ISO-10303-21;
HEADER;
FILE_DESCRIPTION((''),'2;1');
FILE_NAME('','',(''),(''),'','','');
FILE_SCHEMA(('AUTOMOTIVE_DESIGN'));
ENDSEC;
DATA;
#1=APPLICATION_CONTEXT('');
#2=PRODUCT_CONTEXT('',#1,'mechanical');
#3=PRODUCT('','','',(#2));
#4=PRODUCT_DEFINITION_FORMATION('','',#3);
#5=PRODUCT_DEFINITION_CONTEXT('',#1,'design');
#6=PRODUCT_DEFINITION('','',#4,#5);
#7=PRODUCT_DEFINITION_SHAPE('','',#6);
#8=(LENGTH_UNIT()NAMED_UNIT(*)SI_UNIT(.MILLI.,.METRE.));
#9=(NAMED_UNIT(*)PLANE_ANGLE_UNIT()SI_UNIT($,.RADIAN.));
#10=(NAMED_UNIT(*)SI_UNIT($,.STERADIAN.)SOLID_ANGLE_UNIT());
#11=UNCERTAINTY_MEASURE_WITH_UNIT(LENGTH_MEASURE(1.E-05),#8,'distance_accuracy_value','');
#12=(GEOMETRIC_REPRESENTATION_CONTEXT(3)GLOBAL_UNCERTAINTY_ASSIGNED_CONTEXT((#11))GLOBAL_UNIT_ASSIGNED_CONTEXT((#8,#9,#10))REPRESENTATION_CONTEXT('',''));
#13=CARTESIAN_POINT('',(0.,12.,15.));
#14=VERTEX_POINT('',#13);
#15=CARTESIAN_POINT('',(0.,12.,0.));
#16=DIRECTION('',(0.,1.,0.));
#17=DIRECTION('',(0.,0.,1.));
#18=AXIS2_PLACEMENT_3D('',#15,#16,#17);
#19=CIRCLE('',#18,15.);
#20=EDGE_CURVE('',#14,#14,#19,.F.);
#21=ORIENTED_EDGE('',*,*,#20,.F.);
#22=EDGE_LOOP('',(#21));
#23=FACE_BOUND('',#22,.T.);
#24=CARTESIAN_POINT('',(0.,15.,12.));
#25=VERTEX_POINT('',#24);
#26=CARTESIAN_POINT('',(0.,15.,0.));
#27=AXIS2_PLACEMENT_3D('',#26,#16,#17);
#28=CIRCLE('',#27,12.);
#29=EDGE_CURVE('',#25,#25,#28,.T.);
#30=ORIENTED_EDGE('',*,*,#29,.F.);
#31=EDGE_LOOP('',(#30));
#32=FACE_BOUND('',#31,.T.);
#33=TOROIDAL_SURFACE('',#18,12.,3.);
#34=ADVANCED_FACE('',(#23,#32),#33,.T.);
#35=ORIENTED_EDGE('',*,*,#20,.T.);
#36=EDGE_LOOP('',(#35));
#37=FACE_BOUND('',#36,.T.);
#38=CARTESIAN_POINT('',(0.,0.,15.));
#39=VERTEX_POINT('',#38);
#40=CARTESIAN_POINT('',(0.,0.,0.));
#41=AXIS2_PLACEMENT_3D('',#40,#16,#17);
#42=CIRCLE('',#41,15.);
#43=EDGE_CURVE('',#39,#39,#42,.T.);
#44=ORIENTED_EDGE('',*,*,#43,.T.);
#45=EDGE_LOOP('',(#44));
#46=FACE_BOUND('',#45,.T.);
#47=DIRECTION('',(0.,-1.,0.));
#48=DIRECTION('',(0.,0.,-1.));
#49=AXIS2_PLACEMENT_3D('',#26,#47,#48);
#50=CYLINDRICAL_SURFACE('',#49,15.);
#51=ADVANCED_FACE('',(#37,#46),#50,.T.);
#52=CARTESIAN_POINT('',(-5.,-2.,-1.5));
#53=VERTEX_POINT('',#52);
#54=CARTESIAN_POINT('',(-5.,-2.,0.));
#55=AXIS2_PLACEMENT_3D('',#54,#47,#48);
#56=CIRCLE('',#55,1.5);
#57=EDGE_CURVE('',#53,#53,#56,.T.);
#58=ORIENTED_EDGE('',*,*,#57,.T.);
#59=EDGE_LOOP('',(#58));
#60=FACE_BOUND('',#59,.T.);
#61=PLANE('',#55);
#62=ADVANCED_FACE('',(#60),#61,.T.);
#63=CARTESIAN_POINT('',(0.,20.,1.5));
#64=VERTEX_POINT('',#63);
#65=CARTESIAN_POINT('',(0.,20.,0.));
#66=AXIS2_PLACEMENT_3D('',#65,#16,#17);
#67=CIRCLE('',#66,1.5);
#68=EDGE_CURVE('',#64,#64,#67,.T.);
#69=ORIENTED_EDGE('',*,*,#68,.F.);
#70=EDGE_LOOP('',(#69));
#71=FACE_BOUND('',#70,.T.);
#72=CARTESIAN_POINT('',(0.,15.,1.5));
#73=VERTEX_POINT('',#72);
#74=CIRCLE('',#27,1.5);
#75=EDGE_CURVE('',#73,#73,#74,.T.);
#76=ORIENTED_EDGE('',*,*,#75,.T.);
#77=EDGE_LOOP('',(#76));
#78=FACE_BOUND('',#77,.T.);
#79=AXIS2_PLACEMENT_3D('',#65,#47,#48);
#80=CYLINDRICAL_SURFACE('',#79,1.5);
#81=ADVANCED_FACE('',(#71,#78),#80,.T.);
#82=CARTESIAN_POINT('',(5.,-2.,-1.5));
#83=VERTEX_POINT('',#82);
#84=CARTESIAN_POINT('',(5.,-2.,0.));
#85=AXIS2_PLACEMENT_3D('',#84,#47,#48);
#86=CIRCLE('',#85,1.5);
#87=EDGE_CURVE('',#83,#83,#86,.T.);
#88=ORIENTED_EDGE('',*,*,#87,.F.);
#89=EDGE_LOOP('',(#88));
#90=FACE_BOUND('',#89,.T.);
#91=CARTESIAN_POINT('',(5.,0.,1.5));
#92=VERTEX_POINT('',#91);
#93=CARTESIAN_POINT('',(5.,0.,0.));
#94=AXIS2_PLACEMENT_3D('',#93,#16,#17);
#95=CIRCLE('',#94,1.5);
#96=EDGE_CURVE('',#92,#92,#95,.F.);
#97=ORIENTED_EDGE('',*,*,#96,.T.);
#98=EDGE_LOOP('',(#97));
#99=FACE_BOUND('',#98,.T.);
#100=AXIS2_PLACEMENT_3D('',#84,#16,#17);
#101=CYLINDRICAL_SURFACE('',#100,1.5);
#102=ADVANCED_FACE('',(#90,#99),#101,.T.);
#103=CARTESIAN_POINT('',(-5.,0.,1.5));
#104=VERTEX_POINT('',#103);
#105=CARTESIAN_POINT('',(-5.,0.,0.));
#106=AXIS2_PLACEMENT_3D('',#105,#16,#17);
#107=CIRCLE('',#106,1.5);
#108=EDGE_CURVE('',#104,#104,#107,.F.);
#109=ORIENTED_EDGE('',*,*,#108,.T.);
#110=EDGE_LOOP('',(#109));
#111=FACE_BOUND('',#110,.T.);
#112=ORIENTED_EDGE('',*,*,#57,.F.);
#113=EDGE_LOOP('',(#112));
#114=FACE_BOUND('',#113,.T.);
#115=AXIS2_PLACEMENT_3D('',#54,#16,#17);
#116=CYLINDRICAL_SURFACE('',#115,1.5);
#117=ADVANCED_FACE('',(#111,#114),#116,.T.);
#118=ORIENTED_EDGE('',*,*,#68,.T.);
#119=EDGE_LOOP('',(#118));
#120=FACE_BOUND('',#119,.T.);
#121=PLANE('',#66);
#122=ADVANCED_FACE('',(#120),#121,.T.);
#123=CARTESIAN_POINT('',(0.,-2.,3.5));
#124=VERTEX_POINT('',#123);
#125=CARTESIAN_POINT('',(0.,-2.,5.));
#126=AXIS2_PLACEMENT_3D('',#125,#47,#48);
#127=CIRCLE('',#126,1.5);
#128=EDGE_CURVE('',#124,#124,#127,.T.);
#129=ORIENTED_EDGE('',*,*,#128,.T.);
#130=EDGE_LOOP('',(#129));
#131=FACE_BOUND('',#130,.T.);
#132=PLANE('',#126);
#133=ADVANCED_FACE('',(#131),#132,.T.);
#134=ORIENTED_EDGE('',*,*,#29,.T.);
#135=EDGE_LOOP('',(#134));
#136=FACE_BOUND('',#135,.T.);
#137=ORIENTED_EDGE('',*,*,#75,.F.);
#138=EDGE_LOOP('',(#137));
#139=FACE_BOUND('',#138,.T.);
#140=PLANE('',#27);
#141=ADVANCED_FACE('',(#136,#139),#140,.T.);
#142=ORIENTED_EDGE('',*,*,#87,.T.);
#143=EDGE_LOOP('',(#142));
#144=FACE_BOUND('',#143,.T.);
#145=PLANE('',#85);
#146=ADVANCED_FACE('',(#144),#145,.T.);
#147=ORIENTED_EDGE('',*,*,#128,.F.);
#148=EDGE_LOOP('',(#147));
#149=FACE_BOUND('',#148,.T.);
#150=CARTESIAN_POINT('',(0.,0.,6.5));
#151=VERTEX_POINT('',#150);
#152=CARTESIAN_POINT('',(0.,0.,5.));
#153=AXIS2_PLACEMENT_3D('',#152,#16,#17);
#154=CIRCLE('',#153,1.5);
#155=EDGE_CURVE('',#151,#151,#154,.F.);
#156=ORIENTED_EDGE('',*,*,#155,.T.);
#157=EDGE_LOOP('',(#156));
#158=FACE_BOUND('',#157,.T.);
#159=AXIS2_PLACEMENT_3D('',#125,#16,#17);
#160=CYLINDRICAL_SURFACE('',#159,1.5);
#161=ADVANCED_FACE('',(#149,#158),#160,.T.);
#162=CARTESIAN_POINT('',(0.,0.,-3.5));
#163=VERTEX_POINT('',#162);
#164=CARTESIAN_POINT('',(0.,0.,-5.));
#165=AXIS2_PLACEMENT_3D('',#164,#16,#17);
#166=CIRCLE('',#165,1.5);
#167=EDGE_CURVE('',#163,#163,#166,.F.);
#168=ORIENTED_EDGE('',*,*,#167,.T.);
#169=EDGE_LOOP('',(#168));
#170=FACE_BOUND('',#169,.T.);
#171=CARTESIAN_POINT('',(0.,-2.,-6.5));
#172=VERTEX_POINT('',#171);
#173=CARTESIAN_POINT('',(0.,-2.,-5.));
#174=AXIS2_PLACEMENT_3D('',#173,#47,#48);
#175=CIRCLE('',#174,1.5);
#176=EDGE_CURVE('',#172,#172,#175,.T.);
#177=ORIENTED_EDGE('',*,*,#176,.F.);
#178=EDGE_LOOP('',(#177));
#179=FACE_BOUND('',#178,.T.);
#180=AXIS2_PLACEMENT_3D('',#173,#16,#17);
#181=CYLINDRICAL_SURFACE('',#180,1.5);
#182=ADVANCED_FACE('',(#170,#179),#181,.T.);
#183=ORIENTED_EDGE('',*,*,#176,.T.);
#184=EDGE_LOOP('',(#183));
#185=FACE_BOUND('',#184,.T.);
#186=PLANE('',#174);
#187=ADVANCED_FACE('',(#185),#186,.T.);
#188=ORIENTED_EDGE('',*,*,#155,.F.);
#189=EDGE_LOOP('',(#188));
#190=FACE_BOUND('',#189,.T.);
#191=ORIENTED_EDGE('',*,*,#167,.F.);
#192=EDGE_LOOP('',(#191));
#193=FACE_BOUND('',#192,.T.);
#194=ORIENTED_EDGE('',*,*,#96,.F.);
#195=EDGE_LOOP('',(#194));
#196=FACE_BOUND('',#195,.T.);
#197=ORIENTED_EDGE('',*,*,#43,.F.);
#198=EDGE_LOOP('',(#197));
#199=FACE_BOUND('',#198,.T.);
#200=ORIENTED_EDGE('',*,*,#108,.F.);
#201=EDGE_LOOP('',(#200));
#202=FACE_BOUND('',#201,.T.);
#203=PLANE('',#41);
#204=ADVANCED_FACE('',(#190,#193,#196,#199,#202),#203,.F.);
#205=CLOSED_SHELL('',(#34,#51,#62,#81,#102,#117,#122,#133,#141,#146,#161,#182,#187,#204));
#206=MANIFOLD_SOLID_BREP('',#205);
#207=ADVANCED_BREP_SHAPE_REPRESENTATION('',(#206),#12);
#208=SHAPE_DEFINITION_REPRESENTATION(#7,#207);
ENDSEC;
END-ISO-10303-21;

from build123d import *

# Parameters (mm, degrees)
SKETCH_2_R      = 15
EXTRUDE_1_DEPTH = 15
FILLET_1_R      = 3
SKETCH_3_R      = 1.5
EXTRUDE_2_DEPTH = 5
SKETCH_4_R      = 1.5
EXTRUDE_3_DEPTH = 2


with BuildPart() as part:
    # 草图2 → 凸台-拉伸1 (new body)
    with BuildSketch(Plane(origin=(0, 0, 0), x_dir=(1, 0, 0), z_dir=(0, 1, 0))):
        with Locations(Location((0, 0, 0), (0, 0, 270))):
            Circle(SKETCH_2_R)
    extrude(amount=EXTRUDE_1_DEPTH)

    # 圆角1
    fillet_1_edges = [part.edges().sort_by_distance(p)[0] for p in [
        (0, 15, -15),
    ]]
    fillet(fillet_1_edges, radius=FILLET_1_R)

    # 草图3 → 凸台-拉伸2 (add)
    with BuildSketch(Plane(origin=(0, 15, 0), x_dir=(1, 0, 0), z_dir=(0, 1, 0))):
        with Locations(Location((0, 0, 0), (0, 0, 270))):
            Circle(SKETCH_3_R)
    extrude(amount=EXTRUDE_2_DEPTH)

    # 草图4 → 凸台-拉伸3 (add)
    with BuildSketch(Plane.XZ):
        with Locations(Location((0, 5, 0), (0, 0, 90))):
            Circle(SKETCH_4_R)
        with Locations(Location((-5, 0, 0), (0, 0, 90))):
            Circle(SKETCH_4_R)
        with Locations(Location((5, 0, 0), (0, 0, 90))):
            Circle(SKETCH_4_R)
        with Locations(Location((0, -5, 0), (0, 0, 90))):
            Circle(SKETCH_4_R)
    extrude(amount=EXTRUDE_3_DEPTH)


solid = part.part
